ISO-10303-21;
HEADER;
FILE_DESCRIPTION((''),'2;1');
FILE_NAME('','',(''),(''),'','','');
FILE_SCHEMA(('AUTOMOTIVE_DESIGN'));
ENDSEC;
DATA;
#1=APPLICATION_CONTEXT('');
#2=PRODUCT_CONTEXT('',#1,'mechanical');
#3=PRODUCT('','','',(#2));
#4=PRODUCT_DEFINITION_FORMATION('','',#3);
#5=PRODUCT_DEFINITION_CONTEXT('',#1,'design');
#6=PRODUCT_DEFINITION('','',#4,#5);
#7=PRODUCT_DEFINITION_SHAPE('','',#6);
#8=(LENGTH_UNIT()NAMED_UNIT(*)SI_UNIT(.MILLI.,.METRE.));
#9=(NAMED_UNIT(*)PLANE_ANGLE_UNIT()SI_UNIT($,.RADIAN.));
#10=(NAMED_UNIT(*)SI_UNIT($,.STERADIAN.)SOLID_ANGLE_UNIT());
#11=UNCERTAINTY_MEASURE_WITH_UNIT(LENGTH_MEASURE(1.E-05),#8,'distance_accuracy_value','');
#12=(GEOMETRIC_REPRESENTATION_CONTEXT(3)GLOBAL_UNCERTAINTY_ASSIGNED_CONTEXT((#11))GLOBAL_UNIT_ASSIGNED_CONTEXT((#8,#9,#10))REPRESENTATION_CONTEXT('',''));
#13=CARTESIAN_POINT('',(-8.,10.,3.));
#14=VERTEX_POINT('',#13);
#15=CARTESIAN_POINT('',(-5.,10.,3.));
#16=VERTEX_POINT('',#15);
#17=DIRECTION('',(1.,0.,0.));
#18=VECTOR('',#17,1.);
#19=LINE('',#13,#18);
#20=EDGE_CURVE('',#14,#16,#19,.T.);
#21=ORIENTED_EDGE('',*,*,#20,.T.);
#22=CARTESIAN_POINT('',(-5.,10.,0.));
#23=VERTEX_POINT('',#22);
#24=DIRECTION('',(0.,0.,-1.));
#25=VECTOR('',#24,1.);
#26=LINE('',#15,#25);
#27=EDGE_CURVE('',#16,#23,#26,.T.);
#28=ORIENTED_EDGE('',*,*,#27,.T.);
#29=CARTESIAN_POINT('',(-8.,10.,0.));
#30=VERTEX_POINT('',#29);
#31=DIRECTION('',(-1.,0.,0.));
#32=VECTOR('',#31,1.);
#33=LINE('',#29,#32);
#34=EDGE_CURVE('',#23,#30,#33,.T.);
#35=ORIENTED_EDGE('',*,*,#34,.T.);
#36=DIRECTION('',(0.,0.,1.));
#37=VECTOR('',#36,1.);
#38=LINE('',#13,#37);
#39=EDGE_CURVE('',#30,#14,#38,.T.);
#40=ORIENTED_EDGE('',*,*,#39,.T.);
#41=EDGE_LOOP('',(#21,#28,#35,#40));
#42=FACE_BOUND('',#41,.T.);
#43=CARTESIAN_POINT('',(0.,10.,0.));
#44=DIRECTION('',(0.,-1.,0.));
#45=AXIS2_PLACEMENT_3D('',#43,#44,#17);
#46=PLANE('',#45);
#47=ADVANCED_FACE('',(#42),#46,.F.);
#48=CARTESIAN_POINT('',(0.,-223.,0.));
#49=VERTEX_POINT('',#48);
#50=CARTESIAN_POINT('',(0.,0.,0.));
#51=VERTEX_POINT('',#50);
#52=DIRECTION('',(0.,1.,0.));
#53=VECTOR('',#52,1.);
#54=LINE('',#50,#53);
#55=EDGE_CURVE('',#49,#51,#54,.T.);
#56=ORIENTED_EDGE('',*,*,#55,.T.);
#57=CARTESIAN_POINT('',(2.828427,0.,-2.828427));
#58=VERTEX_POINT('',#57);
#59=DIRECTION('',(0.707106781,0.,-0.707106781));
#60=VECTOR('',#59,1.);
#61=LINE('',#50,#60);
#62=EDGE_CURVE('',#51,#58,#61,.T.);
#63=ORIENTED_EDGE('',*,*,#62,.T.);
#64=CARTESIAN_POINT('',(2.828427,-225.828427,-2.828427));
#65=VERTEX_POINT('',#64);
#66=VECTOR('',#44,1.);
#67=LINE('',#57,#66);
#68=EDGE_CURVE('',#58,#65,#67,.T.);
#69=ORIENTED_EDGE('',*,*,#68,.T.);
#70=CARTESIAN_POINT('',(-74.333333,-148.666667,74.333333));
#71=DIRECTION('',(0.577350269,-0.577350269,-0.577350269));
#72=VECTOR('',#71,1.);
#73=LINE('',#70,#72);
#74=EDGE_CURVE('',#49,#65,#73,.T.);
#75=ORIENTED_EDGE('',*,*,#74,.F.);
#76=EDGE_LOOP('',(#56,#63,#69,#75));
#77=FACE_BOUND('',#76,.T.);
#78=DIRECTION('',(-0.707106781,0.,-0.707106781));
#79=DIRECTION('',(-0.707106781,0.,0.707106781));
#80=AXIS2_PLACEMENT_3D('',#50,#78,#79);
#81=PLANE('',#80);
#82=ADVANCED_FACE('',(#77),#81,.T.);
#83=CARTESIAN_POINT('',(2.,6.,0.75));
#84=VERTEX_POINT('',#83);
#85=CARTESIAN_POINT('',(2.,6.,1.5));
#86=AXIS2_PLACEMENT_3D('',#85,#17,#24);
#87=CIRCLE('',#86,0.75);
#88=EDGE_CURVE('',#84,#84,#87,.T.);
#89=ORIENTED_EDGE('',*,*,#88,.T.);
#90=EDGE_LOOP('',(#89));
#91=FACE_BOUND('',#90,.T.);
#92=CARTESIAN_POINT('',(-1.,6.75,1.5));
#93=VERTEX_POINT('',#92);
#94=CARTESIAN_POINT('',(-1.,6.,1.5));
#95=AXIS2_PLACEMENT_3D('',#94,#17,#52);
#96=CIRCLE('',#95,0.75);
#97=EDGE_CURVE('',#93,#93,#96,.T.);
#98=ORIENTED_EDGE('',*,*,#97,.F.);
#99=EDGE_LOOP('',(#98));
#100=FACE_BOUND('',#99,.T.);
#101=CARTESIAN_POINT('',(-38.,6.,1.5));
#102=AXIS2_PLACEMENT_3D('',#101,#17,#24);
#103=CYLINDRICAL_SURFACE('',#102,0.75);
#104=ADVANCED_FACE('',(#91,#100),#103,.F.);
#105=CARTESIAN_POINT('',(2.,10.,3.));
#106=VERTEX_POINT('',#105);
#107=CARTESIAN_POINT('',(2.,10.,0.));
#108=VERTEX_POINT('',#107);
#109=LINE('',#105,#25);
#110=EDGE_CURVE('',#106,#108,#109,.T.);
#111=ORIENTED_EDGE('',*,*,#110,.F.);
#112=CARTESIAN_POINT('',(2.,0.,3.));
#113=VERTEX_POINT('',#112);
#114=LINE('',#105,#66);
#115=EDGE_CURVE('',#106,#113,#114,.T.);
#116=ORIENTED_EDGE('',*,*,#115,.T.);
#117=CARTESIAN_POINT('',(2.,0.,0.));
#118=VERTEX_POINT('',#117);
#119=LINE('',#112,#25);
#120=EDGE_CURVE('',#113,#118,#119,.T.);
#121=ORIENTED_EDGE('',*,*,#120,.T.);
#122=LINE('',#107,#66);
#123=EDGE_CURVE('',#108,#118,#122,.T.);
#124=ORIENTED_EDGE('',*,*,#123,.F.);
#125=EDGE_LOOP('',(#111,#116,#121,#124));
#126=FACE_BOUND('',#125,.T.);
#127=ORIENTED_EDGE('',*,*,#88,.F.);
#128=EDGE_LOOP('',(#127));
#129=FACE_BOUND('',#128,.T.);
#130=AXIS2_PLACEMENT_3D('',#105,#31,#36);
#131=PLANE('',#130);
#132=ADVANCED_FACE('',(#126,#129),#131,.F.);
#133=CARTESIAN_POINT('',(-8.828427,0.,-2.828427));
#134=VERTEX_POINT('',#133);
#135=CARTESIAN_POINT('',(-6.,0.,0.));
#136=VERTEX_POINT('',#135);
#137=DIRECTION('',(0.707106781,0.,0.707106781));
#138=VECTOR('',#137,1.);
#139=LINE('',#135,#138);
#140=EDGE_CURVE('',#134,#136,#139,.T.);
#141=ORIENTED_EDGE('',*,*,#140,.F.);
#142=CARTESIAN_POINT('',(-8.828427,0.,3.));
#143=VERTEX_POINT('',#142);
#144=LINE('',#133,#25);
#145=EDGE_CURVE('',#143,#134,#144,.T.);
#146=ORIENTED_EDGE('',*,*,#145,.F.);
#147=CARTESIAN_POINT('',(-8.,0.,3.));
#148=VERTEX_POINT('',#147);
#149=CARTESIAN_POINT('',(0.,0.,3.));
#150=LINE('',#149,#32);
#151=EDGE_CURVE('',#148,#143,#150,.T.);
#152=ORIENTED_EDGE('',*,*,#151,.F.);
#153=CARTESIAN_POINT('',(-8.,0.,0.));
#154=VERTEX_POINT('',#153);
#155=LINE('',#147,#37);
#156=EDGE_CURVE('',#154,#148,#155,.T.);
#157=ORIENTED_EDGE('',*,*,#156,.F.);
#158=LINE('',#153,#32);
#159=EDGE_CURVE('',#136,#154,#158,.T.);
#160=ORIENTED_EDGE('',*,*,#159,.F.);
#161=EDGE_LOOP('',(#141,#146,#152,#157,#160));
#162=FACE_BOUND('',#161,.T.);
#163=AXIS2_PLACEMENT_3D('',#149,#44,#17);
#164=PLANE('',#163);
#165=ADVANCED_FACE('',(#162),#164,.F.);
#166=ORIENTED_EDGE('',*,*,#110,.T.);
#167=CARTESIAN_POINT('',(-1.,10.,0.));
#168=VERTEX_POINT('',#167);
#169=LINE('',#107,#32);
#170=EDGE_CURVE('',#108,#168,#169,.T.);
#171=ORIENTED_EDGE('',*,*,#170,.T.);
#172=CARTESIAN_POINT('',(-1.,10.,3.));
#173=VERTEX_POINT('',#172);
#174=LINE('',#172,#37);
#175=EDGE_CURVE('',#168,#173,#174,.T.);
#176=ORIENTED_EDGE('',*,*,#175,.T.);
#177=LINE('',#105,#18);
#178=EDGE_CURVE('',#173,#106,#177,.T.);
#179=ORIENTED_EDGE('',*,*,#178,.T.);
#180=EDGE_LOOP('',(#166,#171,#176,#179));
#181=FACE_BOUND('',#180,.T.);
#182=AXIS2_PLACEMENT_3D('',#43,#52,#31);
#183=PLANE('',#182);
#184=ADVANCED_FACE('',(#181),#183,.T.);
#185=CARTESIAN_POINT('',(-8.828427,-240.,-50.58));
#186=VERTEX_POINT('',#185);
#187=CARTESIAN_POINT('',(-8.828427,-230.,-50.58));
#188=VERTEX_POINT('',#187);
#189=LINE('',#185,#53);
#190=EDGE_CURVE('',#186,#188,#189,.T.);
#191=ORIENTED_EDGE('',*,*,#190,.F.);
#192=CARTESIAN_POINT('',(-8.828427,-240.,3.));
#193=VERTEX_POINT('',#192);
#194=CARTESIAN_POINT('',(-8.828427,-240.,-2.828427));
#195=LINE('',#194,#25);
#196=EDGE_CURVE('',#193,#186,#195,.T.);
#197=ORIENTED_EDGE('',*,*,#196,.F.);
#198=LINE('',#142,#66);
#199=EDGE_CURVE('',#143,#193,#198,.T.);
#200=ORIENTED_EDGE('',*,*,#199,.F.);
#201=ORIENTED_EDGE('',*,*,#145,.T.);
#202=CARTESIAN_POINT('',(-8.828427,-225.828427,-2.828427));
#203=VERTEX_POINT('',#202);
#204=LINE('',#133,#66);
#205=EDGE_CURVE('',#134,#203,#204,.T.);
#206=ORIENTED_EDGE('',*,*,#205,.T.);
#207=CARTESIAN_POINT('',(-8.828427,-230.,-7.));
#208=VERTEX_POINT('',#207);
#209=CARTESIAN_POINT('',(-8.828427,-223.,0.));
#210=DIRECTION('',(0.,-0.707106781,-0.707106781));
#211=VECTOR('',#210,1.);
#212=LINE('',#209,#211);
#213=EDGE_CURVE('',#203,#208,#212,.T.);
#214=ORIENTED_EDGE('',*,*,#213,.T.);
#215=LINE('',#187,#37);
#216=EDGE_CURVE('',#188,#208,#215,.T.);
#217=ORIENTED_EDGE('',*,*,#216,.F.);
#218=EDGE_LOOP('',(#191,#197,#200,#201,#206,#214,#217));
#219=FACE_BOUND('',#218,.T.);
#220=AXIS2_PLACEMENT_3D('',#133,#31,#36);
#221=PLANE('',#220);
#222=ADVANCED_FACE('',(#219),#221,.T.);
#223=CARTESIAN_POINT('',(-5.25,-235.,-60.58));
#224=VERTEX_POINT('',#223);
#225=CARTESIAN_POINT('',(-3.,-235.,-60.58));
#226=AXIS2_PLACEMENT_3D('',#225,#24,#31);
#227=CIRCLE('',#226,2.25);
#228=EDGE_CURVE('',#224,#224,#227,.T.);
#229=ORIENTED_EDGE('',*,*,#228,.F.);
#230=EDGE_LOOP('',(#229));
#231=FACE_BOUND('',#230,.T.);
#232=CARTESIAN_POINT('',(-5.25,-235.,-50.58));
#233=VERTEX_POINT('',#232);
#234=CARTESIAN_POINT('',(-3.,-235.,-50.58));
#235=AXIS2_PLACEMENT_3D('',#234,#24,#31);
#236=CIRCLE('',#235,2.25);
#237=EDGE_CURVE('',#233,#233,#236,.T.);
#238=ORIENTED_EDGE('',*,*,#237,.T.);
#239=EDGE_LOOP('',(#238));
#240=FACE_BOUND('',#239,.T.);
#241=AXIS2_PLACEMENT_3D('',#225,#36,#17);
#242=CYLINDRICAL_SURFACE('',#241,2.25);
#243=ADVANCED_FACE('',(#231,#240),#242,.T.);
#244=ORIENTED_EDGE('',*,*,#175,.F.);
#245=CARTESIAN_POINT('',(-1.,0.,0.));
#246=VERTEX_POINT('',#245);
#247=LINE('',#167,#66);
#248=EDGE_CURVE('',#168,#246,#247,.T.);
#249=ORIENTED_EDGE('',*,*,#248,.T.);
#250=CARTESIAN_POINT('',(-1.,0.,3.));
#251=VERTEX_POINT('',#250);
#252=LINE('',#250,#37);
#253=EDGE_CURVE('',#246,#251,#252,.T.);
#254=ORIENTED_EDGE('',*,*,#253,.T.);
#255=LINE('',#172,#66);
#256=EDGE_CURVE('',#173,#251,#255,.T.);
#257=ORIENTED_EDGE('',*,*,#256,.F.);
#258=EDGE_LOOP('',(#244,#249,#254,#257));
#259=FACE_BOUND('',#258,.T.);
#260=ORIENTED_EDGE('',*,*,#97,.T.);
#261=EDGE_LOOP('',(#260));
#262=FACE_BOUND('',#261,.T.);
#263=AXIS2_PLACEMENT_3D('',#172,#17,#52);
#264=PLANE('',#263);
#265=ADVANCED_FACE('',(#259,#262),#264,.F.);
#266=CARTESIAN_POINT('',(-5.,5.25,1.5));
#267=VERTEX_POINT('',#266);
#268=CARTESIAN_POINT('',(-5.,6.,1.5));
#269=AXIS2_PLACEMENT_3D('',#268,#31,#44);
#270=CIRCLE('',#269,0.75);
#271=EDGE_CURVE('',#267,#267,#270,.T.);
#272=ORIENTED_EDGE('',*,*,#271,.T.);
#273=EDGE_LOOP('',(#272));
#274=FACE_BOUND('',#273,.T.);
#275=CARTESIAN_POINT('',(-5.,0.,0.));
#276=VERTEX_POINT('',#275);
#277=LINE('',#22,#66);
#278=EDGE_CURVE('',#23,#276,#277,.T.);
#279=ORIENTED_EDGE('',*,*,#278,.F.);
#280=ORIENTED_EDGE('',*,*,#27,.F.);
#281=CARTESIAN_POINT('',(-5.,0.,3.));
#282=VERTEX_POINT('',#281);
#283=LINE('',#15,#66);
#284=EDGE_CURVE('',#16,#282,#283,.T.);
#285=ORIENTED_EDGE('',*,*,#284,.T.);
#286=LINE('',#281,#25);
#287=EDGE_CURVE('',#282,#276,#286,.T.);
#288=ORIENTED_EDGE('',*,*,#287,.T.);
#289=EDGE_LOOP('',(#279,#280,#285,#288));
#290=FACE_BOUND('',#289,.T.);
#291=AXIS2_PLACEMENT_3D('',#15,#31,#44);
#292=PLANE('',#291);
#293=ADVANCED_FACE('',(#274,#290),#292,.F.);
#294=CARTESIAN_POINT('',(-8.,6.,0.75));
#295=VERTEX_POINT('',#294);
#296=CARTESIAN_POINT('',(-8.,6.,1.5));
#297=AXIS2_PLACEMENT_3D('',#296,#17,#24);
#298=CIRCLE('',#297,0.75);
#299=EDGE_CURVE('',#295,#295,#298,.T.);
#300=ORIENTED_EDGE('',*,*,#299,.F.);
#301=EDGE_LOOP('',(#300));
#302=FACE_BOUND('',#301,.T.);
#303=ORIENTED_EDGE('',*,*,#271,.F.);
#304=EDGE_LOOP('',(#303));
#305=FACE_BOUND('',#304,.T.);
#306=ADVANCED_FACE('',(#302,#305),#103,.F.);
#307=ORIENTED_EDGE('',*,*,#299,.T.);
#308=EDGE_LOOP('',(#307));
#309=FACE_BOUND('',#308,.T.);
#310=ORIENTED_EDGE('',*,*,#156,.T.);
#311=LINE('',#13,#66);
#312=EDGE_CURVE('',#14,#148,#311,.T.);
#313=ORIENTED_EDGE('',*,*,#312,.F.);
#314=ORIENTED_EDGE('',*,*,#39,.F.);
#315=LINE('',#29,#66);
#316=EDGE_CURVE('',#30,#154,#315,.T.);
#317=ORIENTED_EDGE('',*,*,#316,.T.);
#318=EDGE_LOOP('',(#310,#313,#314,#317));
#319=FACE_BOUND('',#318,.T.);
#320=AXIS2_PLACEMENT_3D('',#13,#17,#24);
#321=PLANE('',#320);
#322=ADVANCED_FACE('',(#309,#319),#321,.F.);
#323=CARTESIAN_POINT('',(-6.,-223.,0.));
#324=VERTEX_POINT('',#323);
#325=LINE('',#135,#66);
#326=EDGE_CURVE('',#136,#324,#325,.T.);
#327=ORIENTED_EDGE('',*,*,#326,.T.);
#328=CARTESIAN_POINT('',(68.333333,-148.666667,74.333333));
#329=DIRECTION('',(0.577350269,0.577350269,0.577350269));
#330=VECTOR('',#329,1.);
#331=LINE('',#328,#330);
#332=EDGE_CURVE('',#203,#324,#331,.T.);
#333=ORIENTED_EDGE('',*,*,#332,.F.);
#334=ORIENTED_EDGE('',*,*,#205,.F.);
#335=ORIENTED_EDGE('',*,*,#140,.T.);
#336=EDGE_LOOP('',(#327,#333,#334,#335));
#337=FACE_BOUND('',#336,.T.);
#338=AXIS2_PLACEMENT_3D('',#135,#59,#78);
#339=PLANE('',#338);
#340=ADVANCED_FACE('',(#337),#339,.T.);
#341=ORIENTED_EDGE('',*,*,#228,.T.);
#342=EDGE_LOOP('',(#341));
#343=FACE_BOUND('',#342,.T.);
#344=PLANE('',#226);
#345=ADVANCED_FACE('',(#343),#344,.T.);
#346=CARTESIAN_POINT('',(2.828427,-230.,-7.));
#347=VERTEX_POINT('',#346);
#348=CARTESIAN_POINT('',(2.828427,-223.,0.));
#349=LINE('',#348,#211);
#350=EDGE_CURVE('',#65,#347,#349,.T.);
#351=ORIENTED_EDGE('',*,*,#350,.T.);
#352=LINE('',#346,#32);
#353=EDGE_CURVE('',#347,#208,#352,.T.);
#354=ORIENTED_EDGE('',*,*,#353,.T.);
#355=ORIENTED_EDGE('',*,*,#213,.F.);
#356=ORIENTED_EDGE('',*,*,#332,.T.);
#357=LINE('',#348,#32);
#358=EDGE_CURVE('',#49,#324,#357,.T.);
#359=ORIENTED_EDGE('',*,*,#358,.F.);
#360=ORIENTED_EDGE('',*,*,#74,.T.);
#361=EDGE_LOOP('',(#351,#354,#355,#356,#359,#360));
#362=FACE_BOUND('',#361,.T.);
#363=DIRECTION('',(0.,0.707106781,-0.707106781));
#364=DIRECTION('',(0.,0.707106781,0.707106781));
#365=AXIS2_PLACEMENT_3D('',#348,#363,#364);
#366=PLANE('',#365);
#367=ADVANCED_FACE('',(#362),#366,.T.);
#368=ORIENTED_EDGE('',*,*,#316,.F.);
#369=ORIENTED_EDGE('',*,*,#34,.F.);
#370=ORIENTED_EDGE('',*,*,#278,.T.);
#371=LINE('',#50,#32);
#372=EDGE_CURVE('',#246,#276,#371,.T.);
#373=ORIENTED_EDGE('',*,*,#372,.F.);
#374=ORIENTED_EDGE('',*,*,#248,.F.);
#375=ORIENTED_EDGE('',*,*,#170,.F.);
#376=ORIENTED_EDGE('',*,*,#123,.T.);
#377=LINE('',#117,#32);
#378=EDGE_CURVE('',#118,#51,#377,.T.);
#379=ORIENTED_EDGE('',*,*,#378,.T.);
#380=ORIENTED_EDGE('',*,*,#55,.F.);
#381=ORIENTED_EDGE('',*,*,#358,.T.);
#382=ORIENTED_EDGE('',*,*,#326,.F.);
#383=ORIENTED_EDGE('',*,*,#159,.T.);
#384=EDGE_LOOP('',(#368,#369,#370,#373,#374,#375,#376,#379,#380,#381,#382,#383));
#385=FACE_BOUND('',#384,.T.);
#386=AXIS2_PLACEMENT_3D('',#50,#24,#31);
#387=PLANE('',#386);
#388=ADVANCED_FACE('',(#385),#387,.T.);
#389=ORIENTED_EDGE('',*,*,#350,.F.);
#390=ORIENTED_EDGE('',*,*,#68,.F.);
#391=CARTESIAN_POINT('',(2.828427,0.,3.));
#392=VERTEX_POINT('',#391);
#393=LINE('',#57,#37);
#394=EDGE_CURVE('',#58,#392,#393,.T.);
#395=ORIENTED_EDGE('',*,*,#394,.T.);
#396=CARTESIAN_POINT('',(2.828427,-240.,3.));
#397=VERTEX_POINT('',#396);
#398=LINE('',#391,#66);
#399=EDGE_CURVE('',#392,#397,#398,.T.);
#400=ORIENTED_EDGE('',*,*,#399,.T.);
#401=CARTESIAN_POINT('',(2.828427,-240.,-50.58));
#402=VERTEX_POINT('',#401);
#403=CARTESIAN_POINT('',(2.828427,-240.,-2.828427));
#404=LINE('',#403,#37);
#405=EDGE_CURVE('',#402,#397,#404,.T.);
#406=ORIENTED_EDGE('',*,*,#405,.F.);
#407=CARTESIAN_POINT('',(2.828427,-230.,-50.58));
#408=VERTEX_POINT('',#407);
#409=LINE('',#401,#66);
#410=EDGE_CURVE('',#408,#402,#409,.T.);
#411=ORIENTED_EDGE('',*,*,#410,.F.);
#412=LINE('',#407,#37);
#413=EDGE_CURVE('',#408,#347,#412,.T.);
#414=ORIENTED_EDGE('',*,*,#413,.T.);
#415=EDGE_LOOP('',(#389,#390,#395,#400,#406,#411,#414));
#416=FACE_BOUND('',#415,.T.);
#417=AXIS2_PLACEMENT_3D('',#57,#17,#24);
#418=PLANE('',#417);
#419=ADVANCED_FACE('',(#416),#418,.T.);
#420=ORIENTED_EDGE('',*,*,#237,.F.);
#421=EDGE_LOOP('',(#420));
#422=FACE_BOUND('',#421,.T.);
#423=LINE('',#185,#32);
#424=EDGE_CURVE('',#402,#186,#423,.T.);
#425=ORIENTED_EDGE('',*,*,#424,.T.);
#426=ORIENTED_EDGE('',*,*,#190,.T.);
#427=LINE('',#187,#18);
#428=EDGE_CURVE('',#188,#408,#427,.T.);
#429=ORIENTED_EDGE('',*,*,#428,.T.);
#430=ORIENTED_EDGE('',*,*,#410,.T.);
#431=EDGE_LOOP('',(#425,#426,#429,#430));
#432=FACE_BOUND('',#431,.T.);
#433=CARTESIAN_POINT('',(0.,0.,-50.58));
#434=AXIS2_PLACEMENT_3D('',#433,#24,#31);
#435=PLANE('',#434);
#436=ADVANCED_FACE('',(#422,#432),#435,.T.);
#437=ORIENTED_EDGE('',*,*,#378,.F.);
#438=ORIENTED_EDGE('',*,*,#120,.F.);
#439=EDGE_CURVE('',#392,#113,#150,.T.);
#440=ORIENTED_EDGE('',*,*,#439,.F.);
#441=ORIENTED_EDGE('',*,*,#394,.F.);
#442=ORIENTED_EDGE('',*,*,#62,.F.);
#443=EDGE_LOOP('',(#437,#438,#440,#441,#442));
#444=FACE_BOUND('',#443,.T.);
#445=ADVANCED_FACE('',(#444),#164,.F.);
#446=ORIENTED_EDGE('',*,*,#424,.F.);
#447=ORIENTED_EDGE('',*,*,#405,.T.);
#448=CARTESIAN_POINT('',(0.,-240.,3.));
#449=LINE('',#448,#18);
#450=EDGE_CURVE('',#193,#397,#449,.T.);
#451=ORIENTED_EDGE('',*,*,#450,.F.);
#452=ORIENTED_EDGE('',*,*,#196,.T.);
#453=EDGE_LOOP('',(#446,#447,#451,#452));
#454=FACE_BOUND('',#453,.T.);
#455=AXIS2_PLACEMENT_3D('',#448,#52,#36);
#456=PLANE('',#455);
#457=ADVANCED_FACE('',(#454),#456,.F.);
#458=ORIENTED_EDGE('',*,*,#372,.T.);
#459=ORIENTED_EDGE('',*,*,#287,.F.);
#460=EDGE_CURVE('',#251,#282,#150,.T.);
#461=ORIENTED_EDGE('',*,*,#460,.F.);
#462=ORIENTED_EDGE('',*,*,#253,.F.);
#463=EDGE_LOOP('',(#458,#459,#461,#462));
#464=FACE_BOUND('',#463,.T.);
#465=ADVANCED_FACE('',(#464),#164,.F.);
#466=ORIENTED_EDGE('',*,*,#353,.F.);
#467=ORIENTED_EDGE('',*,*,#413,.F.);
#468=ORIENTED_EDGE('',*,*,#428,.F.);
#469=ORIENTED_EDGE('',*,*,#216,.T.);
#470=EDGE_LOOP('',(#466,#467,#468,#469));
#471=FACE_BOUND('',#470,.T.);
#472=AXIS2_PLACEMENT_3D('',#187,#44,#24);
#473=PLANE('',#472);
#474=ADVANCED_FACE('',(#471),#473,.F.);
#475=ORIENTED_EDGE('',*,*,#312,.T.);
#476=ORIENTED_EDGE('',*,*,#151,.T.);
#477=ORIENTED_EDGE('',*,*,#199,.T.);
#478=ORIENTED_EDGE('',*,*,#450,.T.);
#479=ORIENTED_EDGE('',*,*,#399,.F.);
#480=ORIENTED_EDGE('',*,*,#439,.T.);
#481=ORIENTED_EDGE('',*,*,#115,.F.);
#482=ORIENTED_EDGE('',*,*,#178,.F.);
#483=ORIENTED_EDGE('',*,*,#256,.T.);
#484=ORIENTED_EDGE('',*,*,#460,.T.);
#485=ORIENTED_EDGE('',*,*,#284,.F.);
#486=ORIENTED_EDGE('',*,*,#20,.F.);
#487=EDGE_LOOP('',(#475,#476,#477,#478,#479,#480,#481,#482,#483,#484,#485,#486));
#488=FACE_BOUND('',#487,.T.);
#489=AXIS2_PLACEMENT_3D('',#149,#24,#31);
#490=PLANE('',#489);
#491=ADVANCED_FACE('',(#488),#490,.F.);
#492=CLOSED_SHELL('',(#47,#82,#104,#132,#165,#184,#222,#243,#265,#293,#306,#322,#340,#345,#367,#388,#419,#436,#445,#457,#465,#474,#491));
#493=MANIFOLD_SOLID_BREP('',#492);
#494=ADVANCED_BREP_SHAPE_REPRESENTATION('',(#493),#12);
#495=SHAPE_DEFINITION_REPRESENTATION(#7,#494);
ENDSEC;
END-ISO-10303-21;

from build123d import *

# Parameters (mm, degrees)
SKETCH2_W           = 6
SKETCH2_H           = 240
BOSS_EXTRUDE1_DEPTH = 3
BOSS_EXTRUDE2_DEPTH = 240
SKETCH5_W           = 3
SKETCH5_H           = 3
BOSS_EXTRUDE3_DEPTH = 10
SKETCH6_R           = 0.75
CUT_EXTRUDE1_DEPTH  = 40
SKETCH7_W           = 11.65685425
SKETCH7_H           = 10
BOSS_EXTRUDE4_DEPTH = 50.58
SKETCH8_R           = 2.25
BOSS_EXTRUDE5_DEPTH = 10
BOSS_EXTRUDE6_DEPTH = 11.656854


with BuildPart() as part:
    # Sketch2 → Boss-Extrude1 (new body)
    with BuildSketch(Plane.XY):
        with Locations((-3, -120)):
            Rectangle(SKETCH2_W, SKETCH2_H)
    extrude(amount=BOSS_EXTRUDE1_DEPTH)

    # Sketch4 → Boss-Extrude2 (add)
    with BuildSketch(Plane(origin=(0, -240, 0), x_dir=(-1, 0, 0), z_dir=(0, -1, 0))):
        Polygon((0, 0), (-2.828427125, 2.828427125), (-2.828427125, -3), (0, -3), align=None)
        Polygon((8.828427125, -3), (6, -3), (6, 0), (8.828427125, 2.828427125), align=None)
    extrude(amount=-BOSS_EXTRUDE2_DEPTH)

    # Sketch5 → Boss-Extrude3 (add)
    with BuildSketch(Plane(origin=(0, 0, 0), x_dir=(1, 0, 0), z_dir=(0, 1, 0))):
        with Locations((-6.5, -1.5)):
            Rectangle(SKETCH5_W, SKETCH5_H)
        with Locations((0.5, -1.5)):
            Rectangle(SKETCH5_W, SKETCH5_H)
    extrude(amount=BOSS_EXTRUDE3_DEPTH)

    # Sketch6 → Cut-Extrude1 (cut)
    with BuildSketch(Plane(origin=(2, 0, 0), x_dir=(0, 0, -1), z_dir=(1, 0, 0))):
        with Locations((-1.5, 6)):
            Circle(SKETCH6_R)
    extrude(amount=-CUT_EXTRUDE1_DEPTH, mode=Mode.SUBTRACT)

    # Sketch7 → Boss-Extrude4 (add)
    with BuildSketch(Plane(origin=(0, 0, 0), x_dir=(-1, 0, 0), z_dir=(0, 0, -1))):
        with Locations((3, -235)):
            Rectangle(SKETCH7_W, SKETCH7_H)
    extrude(amount=BOSS_EXTRUDE4_DEPTH)

    # Sketch8 → Boss-Extrude5 (add)
    with BuildSketch(Plane(origin=(0, 0, -50.58), x_dir=(-1, 0, 0), z_dir=(0, 0, -1))):
        with Locations((3, -235)):
            Circle(SKETCH8_R)
    extrude(amount=BOSS_EXTRUDE5_DEPTH)

    # Sketch9 → Boss-Extrude6 (add)
    with BuildSketch(Plane.ZY.offset(8.828427125)):
        Polygon((-7, -230), (0, -230), (0, -223), align=None)
    extrude(amount=-BOSS_EXTRUDE6_DEPTH)


solid = part.part
